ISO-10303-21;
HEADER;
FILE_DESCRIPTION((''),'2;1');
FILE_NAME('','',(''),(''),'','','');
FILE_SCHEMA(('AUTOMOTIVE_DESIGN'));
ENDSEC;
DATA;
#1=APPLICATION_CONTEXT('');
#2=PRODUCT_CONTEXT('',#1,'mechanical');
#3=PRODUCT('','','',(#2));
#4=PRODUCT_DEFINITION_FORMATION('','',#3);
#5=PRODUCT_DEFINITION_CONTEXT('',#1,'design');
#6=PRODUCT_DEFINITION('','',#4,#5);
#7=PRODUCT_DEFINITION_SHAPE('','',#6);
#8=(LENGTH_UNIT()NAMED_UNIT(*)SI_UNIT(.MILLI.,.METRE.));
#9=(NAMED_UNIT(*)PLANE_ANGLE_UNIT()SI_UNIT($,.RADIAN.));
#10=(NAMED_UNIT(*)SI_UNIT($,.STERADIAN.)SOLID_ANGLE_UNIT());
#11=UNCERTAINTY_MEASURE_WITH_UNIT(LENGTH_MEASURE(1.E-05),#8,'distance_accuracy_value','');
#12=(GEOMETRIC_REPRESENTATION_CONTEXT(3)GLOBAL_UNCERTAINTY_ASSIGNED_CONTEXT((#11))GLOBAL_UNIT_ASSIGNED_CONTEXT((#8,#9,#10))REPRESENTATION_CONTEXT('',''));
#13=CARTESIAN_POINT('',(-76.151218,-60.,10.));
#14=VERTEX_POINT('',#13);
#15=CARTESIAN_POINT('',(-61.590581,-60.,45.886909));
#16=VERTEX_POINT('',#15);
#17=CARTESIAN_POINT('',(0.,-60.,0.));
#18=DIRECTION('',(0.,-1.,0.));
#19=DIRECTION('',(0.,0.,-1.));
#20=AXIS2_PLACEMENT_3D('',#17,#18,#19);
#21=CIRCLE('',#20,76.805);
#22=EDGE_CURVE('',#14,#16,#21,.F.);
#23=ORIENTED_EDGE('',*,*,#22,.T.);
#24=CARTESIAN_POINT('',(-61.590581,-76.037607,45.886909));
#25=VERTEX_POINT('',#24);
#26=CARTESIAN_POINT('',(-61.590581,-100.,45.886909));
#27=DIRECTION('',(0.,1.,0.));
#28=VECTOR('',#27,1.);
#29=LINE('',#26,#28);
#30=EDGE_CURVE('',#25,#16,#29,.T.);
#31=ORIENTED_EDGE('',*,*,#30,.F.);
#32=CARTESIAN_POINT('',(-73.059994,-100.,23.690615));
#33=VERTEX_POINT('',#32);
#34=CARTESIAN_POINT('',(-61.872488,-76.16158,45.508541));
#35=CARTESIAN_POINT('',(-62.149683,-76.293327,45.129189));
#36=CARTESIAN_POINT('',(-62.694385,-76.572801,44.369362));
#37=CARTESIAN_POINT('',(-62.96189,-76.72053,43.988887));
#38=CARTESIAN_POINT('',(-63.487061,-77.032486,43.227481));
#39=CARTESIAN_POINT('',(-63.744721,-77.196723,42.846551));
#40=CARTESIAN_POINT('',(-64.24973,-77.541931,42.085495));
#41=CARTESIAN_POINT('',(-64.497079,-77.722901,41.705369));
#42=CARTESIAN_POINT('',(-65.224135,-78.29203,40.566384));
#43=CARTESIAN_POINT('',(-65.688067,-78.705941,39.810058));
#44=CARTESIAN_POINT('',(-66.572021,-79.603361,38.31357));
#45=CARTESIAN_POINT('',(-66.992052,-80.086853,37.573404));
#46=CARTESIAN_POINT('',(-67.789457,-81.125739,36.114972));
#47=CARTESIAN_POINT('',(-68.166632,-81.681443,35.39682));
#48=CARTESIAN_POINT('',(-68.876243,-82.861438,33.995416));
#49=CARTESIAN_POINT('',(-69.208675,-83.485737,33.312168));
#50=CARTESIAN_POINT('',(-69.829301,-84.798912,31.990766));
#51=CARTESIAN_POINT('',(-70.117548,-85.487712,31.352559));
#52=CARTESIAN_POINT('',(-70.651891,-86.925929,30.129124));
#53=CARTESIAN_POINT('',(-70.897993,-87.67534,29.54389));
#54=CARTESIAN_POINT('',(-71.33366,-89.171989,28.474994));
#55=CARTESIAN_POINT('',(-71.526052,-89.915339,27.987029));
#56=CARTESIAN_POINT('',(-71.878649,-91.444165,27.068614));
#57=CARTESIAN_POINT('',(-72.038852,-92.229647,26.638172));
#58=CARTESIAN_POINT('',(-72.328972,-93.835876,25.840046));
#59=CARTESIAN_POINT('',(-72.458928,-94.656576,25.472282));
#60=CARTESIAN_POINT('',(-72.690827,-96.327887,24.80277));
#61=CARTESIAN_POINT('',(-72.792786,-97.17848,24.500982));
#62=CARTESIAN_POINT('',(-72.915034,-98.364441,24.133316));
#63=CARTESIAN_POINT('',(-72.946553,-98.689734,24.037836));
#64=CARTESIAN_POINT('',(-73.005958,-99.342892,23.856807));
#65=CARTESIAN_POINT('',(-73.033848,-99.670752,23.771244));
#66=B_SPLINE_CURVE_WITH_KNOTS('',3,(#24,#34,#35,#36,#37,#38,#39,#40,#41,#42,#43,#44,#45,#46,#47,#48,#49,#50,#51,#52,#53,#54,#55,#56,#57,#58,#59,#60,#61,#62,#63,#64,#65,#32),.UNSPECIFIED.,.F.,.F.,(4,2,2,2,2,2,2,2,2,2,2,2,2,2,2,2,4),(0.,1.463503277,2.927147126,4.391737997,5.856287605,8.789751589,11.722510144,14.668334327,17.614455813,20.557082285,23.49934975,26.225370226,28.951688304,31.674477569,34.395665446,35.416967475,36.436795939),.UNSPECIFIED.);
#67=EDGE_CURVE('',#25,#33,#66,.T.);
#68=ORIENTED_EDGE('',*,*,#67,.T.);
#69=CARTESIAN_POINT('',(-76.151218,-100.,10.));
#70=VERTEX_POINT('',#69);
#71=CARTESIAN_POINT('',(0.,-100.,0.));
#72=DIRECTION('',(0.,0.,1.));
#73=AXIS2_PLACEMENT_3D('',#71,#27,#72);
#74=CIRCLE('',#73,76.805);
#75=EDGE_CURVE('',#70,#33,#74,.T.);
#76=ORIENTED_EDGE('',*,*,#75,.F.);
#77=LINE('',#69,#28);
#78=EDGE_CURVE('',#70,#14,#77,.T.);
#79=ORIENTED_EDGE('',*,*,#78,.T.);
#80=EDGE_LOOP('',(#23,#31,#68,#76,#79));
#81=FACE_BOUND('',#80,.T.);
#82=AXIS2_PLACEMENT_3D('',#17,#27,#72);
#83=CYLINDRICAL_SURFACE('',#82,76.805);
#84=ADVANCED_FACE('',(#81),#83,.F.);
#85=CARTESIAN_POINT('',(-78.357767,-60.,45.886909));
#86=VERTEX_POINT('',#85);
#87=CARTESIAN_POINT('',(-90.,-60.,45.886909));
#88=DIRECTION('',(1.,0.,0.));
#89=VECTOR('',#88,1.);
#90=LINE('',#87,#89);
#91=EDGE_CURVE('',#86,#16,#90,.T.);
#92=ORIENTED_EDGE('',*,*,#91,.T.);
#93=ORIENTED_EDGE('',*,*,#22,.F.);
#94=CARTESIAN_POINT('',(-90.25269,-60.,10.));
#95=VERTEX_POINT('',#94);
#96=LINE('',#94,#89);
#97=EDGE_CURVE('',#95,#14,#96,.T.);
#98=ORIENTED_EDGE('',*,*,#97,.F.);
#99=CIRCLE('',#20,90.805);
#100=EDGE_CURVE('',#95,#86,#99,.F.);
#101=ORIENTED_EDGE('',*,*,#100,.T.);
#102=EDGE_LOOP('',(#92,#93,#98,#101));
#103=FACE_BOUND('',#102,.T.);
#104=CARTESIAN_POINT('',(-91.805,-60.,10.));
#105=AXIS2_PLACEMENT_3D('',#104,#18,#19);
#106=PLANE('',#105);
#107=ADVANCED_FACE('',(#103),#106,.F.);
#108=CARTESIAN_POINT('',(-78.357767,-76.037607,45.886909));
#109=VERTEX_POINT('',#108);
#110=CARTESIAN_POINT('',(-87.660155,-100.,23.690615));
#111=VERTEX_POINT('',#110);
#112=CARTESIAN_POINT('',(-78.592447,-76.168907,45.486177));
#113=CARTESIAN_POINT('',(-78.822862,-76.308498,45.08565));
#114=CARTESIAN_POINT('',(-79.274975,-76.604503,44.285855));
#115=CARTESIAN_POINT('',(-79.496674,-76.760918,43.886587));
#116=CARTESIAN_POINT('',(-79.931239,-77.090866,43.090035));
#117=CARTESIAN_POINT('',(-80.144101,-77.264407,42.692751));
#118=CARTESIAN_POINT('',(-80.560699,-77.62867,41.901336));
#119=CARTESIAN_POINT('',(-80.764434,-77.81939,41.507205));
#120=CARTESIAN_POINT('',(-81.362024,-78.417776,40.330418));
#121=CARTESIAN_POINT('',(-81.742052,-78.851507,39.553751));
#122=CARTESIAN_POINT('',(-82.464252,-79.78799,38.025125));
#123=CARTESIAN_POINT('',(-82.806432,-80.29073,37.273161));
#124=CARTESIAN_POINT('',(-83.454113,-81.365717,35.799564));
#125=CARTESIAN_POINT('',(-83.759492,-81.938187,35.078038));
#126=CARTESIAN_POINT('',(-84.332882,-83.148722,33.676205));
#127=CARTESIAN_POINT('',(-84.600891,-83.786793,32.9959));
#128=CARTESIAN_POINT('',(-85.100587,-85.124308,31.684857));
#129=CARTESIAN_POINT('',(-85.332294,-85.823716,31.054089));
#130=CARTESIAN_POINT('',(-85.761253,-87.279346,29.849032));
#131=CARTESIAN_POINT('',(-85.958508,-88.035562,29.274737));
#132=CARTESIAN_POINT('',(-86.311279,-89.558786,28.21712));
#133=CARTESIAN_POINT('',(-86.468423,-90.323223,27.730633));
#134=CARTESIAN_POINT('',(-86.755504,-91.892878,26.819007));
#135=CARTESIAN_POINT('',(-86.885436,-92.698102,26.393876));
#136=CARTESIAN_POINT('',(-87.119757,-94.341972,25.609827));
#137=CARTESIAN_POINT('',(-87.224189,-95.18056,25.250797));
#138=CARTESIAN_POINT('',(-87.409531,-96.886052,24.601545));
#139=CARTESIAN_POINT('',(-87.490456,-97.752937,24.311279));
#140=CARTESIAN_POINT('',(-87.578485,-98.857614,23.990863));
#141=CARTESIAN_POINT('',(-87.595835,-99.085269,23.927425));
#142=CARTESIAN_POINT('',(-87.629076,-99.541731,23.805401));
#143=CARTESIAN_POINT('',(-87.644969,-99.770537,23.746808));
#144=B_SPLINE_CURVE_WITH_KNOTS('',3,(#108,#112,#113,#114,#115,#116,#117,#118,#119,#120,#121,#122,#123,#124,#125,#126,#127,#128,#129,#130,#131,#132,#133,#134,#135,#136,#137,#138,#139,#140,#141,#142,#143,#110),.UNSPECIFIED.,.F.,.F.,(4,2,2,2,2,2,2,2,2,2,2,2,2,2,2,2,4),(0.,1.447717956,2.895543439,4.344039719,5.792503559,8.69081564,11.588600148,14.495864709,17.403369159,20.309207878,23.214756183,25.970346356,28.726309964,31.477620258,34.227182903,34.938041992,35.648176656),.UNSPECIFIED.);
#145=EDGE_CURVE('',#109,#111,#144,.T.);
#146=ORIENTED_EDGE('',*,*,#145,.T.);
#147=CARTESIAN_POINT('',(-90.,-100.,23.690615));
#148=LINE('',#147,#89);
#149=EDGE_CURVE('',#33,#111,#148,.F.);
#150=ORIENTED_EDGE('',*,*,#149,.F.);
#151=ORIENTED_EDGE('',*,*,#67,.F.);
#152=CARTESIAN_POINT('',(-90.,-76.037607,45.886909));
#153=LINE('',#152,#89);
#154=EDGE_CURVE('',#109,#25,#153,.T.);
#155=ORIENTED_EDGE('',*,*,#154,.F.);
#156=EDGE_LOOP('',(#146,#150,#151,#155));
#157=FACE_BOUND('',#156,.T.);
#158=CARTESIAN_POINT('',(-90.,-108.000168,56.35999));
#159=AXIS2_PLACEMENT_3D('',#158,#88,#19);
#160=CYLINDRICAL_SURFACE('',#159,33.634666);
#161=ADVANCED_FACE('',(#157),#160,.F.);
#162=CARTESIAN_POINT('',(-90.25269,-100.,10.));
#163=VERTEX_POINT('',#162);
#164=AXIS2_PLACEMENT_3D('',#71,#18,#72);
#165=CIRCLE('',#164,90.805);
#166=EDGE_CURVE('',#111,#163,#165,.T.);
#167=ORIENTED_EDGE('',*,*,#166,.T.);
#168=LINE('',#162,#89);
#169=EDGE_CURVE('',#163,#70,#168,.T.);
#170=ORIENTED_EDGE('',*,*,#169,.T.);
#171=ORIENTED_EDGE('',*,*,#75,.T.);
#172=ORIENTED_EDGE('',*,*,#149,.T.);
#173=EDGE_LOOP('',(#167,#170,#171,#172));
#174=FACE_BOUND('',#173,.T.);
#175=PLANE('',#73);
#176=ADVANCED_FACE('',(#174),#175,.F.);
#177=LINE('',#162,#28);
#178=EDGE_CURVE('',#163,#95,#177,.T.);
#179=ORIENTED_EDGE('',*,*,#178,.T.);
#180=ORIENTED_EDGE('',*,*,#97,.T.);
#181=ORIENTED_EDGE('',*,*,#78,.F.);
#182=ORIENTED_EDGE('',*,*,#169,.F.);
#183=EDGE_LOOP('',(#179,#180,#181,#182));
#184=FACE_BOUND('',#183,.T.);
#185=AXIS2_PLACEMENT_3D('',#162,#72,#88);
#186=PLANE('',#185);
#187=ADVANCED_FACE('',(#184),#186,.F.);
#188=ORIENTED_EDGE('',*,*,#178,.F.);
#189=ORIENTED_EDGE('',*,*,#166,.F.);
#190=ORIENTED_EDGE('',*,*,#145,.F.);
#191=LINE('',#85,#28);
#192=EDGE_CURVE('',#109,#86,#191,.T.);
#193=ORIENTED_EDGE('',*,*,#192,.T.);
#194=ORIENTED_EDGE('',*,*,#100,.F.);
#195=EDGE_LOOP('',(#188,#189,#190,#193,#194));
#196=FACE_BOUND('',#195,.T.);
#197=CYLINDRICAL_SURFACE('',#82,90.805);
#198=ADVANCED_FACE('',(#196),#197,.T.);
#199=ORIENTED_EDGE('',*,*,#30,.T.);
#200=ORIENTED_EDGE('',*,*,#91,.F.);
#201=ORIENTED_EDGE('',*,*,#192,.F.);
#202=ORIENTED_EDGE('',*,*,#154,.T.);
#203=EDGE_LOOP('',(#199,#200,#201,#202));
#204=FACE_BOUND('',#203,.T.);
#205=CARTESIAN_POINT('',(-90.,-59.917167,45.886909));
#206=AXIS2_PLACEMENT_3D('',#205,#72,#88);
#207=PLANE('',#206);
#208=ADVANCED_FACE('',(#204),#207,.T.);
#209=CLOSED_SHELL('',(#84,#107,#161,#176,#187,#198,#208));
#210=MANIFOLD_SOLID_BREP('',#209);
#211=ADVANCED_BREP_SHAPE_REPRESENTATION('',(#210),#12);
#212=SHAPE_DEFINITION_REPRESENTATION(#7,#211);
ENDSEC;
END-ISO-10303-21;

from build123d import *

# Parameters (mm, degrees)
BOSS_EXTRUDE1_DEPTH      = 60
SKETCH25_W               = 5.5
SKETCH25_H               = 17
BOSS_EXTRUDE3_DEPTH      = 20
FILLET1_R                = 2.3
SKETCH28_W               = 8
SKETCH28_H               = 10
CUT_EXTRUDE17_DEPTH      = 265
CUT_EXTRUDE19_DEPTH      = 165.638713704
CUT_EXTRUDE19_DEPTH_BACK = 165.638713704
SKETCH30_W               = 183.61
SKETCH30_H               = 30
CUT_EXTRUDE20_DEPTH      = 165.638713704
CUT_EXTRUDE20_DEPTH_BACK = 165.638713704
SKETCH32_W               = 3
SKETCH32_H               = 14
CUT_EXTRUDE23_DEPTH      = 44
CUT_EXTRUDE23_DEPTH_BACK = 254
SKETCH40_W               = 29.770973954
SKETCH40_H               = 62.053600945
SKETCH41_R               = 3
CUT_EXTRUDE24_DEPTH      = 254
BOSS_EXTRUDE4_DEPTH      = 40
CUT_EXTRUDE21_DEPTH      = 90
CUT_EXTRUDE22_DEPTH      = 164.320868502
CUT_EXTRUDE22_DEPTH_BACK = 164.320868502


with BuildPart() as part:
    # Sketch1 → Boss-Extrude1 (new body)
    with BuildSketch(Plane(origin=(0, 0, 0), x_dir=(1, 0, 0), z_dir=(0, 1, 0))):
        with BuildLine():
            Line((91.805, -10), (90.252689849, -10))
            ThreePointArc((90.252689849, -10), (0, -90.805), (-90.252689849, -10))
            Line((-90.252689849, -10), (-91.805, -10))
            Line((-91.805, -10), (-91.805, 20))
            Line((-91.805, 20), (-76.805, 20))
            Line((-76.805, 20), (-76.805, 0))
            ThreePointArc((-76.805, 0), (0, -76.805), (76.805, 0))
            Line((76.805, 0), (76.805, 20))
            Line((76.805, 20), (91.805, 20))
            Line((91.805, 20), (91.805, -10))
        make_face()
    extrude(amount=-BOSS_EXTRUDE1_DEPTH)

    # Sketch25 → Boss-Extrude3 (add)
    with BuildSketch(Plane(origin=(0, -60, 0), x_dir=(-1, 0, 0), z_dir=(0, -1, 0))):
        with Locations((84.305, 5)):
            Rectangle(SKETCH25_W, SKETCH25_H)
        with Locations((-84.305, 5)):
            Rectangle(SKETCH25_W, SKETCH25_H)
    extrude(amount=BOSS_EXTRUDE3_DEPTH)

    # Fillet1
    fillet1_edges = [part.edges().sort_by_distance(p)[0] for p in [
        (84.305, -60, 3.5),
        (81.555, -60, -5),
        (87.055, -60, -5),
        (84.305, -60, -13.5),
        (-84.305, -60, 3.5),
        (-87.055, -60, -5),
        (-81.555, -60, -5),
        (-84.305, -60, -13.5),
    ]]
    fillet(fillet1_edges, radius=FILLET1_R)

    # Sketch28 → Cut-Extrude17 (cut)
    with BuildSketch(Plane(origin=(91.805, 0, 0), x_dir=(0, 0, -1), z_dir=(1, 0, 0))):
        with Locations((5, -42)):
            Rectangle(SKETCH28_W, SKETCH28_H)
    extrude(amount=-CUT_EXTRUDE17_DEPTH, mode=Mode.SUBTRACT)

    # Sketch30 → Cut-Extrude19 (cut, two sides: drawn at the far end of the back side and taken through both)
    with BuildSketch(Plane(origin=(0, 0, -20), x_dir=(-1, 0, 0), z_dir=(0, 0, -1)).offset(-CUT_EXTRUDE19_DEPTH_BACK)):
        with Locations((0, -15)):
            Rectangle(SKETCH30_W, SKETCH30_H)
    extrude(amount=CUT_EXTRUDE19_DEPTH + CUT_EXTRUDE19_DEPTH_BACK, mode=Mode.SUBTRACT)

    # Sketch32 → Cut-Extrude20 (cut, two sides: drawn at the far end of the back side and taken through both)
    with BuildSketch(Plane(origin=(0, 0, -20), x_dir=(-1, 0, 0), z_dir=(0, 0, -1)).offset(-CUT_EXTRUDE20_DEPTH_BACK)):
        with Locations((51.773928511, -44)):
            Rectangle(SKETCH32_W, SKETCH32_H)
        with Locations((-65.13523483, -44)):
            Rectangle(SKETCH32_W, SKETCH32_H)
        with Locations((-51.773928511, -44)):
            Rectangle(SKETCH32_W, SKETCH32_H)
        with Locations((65.13523483, -44)):
            Rectangle(SKETCH32_W, SKETCH32_H)
    extrude(amount=CUT_EXTRUDE20_DEPTH + CUT_EXTRUDE20_DEPTH_BACK, mode=Mode.SUBTRACT)

    # Sketch40 → Cut-Extrude23 (cut, two sides: drawn at the far end of the back side and taken through both)
    with BuildSketch(Plane.ZY.offset(87.055).offset(-CUT_EXTRUDE23_DEPTH_BACK)):
        with Locations((-5.114513023, -61.026800472)):
            Rectangle(SKETCH40_W, SKETCH40_H)
    extrude(amount=CUT_EXTRUDE23_DEPTH + CUT_EXTRUDE23_DEPTH_BACK, mode=Mode.SUBTRACT)

    # Sketch41 → Cut-Extrude24 (cut)
    with BuildSketch(Plane(origin=(0, 0, 9.770973954), x_dir=(-1, 0, 0), z_dir=(0, 0, -1))):
        with Locations((-83.992971555, -37.5)):
            Circle(SKETCH41_R)
        with Locations((-83.992971555, -52.5)):
            Circle(SKETCH41_R)
        with Locations((83.992971555, -52.5)):
            Circle(SKETCH41_R)
        with Locations((83.992971555, -37.5)):
            Circle(SKETCH41_R)
    extrude(amount=-CUT_EXTRUDE24_DEPTH, mode=Mode.SUBTRACT)

    # Sketch33 → Boss-Extrude4 (add)
    with BuildSketch(Plane(origin=(0, -60, 0), x_dir=(-1, 0, 0), z_dir=(0, -1, 0))):
        with BuildLine():
            Line((90.252689849, -10), (76.151218145, -10))
            ThreePointArc((76.151218145, -10), (71.169996018, -28.876282513), (61.590580503, -45.886909008))
            Line((61.590580503, -45.886909008), (73.898492454, -52.768938193))
            ThreePointArc((73.898492454, -52.768938193), (84.815671791, -32.432234638), (90.252689849, -10))
        make_face()
    extrude(amount=BOSS_EXTRUDE4_DEPTH)

    # Sketch37 → Cut-Extrude21 (cut)
    with BuildSketch(Plane(origin=(0, 0, 0), x_dir=(0, 0, -1), z_dir=(1, 0, 0))):
        with BuildLine():
            Line((-0.881303102, -100), (-23.690614963, -100))
            ThreePointArc((-23.690614963, -100), (-31.684760451, -85.14357588), (-45.886909008, -76.037606625))
            Line((-45.886909008, -76.037606625), (-45.886909008, -59.917167305))
            Line((-45.886909008, -59.917167305), (-66.948234535, -59.917167305))
            Line((-66.948234535, -59.917167305), (-63.746381293, -92.441906362))
            Line((-63.746381293, -92.441906362), (-47.571757556, -115.346464391))
            Line((-47.571757556, -115.346464391), (-8.086377987, -115.346464391))
            Line((-8.086377987, -115.346464391), (-0.881303102, -100))
        make_face()
    extrude(amount=-CUT_EXTRUDE21_DEPTH, mode=Mode.SUBTRACT)

    # Sketch38 → Cut-Extrude22 (cut, two sides: drawn at the far end of the back side and taken through both)
    with BuildSketch(Plane(origin=(0, 0, 0), x_dir=(0, 0, -1), z_dir=(1, 0, 0)).offset(-CUT_EXTRUDE22_DEPTH_BACK)):
        Polygon((20, -30), (-90.805, -30), (-90.805, -60), (-10, -60), (-10, -100), (20, -100), (20, -60), align=None)
    extrude(amount=CUT_EXTRUDE22_DEPTH + CUT_EXTRUDE22_DEPTH_BACK, mode=Mode.SUBTRACT)


solid = part.part
